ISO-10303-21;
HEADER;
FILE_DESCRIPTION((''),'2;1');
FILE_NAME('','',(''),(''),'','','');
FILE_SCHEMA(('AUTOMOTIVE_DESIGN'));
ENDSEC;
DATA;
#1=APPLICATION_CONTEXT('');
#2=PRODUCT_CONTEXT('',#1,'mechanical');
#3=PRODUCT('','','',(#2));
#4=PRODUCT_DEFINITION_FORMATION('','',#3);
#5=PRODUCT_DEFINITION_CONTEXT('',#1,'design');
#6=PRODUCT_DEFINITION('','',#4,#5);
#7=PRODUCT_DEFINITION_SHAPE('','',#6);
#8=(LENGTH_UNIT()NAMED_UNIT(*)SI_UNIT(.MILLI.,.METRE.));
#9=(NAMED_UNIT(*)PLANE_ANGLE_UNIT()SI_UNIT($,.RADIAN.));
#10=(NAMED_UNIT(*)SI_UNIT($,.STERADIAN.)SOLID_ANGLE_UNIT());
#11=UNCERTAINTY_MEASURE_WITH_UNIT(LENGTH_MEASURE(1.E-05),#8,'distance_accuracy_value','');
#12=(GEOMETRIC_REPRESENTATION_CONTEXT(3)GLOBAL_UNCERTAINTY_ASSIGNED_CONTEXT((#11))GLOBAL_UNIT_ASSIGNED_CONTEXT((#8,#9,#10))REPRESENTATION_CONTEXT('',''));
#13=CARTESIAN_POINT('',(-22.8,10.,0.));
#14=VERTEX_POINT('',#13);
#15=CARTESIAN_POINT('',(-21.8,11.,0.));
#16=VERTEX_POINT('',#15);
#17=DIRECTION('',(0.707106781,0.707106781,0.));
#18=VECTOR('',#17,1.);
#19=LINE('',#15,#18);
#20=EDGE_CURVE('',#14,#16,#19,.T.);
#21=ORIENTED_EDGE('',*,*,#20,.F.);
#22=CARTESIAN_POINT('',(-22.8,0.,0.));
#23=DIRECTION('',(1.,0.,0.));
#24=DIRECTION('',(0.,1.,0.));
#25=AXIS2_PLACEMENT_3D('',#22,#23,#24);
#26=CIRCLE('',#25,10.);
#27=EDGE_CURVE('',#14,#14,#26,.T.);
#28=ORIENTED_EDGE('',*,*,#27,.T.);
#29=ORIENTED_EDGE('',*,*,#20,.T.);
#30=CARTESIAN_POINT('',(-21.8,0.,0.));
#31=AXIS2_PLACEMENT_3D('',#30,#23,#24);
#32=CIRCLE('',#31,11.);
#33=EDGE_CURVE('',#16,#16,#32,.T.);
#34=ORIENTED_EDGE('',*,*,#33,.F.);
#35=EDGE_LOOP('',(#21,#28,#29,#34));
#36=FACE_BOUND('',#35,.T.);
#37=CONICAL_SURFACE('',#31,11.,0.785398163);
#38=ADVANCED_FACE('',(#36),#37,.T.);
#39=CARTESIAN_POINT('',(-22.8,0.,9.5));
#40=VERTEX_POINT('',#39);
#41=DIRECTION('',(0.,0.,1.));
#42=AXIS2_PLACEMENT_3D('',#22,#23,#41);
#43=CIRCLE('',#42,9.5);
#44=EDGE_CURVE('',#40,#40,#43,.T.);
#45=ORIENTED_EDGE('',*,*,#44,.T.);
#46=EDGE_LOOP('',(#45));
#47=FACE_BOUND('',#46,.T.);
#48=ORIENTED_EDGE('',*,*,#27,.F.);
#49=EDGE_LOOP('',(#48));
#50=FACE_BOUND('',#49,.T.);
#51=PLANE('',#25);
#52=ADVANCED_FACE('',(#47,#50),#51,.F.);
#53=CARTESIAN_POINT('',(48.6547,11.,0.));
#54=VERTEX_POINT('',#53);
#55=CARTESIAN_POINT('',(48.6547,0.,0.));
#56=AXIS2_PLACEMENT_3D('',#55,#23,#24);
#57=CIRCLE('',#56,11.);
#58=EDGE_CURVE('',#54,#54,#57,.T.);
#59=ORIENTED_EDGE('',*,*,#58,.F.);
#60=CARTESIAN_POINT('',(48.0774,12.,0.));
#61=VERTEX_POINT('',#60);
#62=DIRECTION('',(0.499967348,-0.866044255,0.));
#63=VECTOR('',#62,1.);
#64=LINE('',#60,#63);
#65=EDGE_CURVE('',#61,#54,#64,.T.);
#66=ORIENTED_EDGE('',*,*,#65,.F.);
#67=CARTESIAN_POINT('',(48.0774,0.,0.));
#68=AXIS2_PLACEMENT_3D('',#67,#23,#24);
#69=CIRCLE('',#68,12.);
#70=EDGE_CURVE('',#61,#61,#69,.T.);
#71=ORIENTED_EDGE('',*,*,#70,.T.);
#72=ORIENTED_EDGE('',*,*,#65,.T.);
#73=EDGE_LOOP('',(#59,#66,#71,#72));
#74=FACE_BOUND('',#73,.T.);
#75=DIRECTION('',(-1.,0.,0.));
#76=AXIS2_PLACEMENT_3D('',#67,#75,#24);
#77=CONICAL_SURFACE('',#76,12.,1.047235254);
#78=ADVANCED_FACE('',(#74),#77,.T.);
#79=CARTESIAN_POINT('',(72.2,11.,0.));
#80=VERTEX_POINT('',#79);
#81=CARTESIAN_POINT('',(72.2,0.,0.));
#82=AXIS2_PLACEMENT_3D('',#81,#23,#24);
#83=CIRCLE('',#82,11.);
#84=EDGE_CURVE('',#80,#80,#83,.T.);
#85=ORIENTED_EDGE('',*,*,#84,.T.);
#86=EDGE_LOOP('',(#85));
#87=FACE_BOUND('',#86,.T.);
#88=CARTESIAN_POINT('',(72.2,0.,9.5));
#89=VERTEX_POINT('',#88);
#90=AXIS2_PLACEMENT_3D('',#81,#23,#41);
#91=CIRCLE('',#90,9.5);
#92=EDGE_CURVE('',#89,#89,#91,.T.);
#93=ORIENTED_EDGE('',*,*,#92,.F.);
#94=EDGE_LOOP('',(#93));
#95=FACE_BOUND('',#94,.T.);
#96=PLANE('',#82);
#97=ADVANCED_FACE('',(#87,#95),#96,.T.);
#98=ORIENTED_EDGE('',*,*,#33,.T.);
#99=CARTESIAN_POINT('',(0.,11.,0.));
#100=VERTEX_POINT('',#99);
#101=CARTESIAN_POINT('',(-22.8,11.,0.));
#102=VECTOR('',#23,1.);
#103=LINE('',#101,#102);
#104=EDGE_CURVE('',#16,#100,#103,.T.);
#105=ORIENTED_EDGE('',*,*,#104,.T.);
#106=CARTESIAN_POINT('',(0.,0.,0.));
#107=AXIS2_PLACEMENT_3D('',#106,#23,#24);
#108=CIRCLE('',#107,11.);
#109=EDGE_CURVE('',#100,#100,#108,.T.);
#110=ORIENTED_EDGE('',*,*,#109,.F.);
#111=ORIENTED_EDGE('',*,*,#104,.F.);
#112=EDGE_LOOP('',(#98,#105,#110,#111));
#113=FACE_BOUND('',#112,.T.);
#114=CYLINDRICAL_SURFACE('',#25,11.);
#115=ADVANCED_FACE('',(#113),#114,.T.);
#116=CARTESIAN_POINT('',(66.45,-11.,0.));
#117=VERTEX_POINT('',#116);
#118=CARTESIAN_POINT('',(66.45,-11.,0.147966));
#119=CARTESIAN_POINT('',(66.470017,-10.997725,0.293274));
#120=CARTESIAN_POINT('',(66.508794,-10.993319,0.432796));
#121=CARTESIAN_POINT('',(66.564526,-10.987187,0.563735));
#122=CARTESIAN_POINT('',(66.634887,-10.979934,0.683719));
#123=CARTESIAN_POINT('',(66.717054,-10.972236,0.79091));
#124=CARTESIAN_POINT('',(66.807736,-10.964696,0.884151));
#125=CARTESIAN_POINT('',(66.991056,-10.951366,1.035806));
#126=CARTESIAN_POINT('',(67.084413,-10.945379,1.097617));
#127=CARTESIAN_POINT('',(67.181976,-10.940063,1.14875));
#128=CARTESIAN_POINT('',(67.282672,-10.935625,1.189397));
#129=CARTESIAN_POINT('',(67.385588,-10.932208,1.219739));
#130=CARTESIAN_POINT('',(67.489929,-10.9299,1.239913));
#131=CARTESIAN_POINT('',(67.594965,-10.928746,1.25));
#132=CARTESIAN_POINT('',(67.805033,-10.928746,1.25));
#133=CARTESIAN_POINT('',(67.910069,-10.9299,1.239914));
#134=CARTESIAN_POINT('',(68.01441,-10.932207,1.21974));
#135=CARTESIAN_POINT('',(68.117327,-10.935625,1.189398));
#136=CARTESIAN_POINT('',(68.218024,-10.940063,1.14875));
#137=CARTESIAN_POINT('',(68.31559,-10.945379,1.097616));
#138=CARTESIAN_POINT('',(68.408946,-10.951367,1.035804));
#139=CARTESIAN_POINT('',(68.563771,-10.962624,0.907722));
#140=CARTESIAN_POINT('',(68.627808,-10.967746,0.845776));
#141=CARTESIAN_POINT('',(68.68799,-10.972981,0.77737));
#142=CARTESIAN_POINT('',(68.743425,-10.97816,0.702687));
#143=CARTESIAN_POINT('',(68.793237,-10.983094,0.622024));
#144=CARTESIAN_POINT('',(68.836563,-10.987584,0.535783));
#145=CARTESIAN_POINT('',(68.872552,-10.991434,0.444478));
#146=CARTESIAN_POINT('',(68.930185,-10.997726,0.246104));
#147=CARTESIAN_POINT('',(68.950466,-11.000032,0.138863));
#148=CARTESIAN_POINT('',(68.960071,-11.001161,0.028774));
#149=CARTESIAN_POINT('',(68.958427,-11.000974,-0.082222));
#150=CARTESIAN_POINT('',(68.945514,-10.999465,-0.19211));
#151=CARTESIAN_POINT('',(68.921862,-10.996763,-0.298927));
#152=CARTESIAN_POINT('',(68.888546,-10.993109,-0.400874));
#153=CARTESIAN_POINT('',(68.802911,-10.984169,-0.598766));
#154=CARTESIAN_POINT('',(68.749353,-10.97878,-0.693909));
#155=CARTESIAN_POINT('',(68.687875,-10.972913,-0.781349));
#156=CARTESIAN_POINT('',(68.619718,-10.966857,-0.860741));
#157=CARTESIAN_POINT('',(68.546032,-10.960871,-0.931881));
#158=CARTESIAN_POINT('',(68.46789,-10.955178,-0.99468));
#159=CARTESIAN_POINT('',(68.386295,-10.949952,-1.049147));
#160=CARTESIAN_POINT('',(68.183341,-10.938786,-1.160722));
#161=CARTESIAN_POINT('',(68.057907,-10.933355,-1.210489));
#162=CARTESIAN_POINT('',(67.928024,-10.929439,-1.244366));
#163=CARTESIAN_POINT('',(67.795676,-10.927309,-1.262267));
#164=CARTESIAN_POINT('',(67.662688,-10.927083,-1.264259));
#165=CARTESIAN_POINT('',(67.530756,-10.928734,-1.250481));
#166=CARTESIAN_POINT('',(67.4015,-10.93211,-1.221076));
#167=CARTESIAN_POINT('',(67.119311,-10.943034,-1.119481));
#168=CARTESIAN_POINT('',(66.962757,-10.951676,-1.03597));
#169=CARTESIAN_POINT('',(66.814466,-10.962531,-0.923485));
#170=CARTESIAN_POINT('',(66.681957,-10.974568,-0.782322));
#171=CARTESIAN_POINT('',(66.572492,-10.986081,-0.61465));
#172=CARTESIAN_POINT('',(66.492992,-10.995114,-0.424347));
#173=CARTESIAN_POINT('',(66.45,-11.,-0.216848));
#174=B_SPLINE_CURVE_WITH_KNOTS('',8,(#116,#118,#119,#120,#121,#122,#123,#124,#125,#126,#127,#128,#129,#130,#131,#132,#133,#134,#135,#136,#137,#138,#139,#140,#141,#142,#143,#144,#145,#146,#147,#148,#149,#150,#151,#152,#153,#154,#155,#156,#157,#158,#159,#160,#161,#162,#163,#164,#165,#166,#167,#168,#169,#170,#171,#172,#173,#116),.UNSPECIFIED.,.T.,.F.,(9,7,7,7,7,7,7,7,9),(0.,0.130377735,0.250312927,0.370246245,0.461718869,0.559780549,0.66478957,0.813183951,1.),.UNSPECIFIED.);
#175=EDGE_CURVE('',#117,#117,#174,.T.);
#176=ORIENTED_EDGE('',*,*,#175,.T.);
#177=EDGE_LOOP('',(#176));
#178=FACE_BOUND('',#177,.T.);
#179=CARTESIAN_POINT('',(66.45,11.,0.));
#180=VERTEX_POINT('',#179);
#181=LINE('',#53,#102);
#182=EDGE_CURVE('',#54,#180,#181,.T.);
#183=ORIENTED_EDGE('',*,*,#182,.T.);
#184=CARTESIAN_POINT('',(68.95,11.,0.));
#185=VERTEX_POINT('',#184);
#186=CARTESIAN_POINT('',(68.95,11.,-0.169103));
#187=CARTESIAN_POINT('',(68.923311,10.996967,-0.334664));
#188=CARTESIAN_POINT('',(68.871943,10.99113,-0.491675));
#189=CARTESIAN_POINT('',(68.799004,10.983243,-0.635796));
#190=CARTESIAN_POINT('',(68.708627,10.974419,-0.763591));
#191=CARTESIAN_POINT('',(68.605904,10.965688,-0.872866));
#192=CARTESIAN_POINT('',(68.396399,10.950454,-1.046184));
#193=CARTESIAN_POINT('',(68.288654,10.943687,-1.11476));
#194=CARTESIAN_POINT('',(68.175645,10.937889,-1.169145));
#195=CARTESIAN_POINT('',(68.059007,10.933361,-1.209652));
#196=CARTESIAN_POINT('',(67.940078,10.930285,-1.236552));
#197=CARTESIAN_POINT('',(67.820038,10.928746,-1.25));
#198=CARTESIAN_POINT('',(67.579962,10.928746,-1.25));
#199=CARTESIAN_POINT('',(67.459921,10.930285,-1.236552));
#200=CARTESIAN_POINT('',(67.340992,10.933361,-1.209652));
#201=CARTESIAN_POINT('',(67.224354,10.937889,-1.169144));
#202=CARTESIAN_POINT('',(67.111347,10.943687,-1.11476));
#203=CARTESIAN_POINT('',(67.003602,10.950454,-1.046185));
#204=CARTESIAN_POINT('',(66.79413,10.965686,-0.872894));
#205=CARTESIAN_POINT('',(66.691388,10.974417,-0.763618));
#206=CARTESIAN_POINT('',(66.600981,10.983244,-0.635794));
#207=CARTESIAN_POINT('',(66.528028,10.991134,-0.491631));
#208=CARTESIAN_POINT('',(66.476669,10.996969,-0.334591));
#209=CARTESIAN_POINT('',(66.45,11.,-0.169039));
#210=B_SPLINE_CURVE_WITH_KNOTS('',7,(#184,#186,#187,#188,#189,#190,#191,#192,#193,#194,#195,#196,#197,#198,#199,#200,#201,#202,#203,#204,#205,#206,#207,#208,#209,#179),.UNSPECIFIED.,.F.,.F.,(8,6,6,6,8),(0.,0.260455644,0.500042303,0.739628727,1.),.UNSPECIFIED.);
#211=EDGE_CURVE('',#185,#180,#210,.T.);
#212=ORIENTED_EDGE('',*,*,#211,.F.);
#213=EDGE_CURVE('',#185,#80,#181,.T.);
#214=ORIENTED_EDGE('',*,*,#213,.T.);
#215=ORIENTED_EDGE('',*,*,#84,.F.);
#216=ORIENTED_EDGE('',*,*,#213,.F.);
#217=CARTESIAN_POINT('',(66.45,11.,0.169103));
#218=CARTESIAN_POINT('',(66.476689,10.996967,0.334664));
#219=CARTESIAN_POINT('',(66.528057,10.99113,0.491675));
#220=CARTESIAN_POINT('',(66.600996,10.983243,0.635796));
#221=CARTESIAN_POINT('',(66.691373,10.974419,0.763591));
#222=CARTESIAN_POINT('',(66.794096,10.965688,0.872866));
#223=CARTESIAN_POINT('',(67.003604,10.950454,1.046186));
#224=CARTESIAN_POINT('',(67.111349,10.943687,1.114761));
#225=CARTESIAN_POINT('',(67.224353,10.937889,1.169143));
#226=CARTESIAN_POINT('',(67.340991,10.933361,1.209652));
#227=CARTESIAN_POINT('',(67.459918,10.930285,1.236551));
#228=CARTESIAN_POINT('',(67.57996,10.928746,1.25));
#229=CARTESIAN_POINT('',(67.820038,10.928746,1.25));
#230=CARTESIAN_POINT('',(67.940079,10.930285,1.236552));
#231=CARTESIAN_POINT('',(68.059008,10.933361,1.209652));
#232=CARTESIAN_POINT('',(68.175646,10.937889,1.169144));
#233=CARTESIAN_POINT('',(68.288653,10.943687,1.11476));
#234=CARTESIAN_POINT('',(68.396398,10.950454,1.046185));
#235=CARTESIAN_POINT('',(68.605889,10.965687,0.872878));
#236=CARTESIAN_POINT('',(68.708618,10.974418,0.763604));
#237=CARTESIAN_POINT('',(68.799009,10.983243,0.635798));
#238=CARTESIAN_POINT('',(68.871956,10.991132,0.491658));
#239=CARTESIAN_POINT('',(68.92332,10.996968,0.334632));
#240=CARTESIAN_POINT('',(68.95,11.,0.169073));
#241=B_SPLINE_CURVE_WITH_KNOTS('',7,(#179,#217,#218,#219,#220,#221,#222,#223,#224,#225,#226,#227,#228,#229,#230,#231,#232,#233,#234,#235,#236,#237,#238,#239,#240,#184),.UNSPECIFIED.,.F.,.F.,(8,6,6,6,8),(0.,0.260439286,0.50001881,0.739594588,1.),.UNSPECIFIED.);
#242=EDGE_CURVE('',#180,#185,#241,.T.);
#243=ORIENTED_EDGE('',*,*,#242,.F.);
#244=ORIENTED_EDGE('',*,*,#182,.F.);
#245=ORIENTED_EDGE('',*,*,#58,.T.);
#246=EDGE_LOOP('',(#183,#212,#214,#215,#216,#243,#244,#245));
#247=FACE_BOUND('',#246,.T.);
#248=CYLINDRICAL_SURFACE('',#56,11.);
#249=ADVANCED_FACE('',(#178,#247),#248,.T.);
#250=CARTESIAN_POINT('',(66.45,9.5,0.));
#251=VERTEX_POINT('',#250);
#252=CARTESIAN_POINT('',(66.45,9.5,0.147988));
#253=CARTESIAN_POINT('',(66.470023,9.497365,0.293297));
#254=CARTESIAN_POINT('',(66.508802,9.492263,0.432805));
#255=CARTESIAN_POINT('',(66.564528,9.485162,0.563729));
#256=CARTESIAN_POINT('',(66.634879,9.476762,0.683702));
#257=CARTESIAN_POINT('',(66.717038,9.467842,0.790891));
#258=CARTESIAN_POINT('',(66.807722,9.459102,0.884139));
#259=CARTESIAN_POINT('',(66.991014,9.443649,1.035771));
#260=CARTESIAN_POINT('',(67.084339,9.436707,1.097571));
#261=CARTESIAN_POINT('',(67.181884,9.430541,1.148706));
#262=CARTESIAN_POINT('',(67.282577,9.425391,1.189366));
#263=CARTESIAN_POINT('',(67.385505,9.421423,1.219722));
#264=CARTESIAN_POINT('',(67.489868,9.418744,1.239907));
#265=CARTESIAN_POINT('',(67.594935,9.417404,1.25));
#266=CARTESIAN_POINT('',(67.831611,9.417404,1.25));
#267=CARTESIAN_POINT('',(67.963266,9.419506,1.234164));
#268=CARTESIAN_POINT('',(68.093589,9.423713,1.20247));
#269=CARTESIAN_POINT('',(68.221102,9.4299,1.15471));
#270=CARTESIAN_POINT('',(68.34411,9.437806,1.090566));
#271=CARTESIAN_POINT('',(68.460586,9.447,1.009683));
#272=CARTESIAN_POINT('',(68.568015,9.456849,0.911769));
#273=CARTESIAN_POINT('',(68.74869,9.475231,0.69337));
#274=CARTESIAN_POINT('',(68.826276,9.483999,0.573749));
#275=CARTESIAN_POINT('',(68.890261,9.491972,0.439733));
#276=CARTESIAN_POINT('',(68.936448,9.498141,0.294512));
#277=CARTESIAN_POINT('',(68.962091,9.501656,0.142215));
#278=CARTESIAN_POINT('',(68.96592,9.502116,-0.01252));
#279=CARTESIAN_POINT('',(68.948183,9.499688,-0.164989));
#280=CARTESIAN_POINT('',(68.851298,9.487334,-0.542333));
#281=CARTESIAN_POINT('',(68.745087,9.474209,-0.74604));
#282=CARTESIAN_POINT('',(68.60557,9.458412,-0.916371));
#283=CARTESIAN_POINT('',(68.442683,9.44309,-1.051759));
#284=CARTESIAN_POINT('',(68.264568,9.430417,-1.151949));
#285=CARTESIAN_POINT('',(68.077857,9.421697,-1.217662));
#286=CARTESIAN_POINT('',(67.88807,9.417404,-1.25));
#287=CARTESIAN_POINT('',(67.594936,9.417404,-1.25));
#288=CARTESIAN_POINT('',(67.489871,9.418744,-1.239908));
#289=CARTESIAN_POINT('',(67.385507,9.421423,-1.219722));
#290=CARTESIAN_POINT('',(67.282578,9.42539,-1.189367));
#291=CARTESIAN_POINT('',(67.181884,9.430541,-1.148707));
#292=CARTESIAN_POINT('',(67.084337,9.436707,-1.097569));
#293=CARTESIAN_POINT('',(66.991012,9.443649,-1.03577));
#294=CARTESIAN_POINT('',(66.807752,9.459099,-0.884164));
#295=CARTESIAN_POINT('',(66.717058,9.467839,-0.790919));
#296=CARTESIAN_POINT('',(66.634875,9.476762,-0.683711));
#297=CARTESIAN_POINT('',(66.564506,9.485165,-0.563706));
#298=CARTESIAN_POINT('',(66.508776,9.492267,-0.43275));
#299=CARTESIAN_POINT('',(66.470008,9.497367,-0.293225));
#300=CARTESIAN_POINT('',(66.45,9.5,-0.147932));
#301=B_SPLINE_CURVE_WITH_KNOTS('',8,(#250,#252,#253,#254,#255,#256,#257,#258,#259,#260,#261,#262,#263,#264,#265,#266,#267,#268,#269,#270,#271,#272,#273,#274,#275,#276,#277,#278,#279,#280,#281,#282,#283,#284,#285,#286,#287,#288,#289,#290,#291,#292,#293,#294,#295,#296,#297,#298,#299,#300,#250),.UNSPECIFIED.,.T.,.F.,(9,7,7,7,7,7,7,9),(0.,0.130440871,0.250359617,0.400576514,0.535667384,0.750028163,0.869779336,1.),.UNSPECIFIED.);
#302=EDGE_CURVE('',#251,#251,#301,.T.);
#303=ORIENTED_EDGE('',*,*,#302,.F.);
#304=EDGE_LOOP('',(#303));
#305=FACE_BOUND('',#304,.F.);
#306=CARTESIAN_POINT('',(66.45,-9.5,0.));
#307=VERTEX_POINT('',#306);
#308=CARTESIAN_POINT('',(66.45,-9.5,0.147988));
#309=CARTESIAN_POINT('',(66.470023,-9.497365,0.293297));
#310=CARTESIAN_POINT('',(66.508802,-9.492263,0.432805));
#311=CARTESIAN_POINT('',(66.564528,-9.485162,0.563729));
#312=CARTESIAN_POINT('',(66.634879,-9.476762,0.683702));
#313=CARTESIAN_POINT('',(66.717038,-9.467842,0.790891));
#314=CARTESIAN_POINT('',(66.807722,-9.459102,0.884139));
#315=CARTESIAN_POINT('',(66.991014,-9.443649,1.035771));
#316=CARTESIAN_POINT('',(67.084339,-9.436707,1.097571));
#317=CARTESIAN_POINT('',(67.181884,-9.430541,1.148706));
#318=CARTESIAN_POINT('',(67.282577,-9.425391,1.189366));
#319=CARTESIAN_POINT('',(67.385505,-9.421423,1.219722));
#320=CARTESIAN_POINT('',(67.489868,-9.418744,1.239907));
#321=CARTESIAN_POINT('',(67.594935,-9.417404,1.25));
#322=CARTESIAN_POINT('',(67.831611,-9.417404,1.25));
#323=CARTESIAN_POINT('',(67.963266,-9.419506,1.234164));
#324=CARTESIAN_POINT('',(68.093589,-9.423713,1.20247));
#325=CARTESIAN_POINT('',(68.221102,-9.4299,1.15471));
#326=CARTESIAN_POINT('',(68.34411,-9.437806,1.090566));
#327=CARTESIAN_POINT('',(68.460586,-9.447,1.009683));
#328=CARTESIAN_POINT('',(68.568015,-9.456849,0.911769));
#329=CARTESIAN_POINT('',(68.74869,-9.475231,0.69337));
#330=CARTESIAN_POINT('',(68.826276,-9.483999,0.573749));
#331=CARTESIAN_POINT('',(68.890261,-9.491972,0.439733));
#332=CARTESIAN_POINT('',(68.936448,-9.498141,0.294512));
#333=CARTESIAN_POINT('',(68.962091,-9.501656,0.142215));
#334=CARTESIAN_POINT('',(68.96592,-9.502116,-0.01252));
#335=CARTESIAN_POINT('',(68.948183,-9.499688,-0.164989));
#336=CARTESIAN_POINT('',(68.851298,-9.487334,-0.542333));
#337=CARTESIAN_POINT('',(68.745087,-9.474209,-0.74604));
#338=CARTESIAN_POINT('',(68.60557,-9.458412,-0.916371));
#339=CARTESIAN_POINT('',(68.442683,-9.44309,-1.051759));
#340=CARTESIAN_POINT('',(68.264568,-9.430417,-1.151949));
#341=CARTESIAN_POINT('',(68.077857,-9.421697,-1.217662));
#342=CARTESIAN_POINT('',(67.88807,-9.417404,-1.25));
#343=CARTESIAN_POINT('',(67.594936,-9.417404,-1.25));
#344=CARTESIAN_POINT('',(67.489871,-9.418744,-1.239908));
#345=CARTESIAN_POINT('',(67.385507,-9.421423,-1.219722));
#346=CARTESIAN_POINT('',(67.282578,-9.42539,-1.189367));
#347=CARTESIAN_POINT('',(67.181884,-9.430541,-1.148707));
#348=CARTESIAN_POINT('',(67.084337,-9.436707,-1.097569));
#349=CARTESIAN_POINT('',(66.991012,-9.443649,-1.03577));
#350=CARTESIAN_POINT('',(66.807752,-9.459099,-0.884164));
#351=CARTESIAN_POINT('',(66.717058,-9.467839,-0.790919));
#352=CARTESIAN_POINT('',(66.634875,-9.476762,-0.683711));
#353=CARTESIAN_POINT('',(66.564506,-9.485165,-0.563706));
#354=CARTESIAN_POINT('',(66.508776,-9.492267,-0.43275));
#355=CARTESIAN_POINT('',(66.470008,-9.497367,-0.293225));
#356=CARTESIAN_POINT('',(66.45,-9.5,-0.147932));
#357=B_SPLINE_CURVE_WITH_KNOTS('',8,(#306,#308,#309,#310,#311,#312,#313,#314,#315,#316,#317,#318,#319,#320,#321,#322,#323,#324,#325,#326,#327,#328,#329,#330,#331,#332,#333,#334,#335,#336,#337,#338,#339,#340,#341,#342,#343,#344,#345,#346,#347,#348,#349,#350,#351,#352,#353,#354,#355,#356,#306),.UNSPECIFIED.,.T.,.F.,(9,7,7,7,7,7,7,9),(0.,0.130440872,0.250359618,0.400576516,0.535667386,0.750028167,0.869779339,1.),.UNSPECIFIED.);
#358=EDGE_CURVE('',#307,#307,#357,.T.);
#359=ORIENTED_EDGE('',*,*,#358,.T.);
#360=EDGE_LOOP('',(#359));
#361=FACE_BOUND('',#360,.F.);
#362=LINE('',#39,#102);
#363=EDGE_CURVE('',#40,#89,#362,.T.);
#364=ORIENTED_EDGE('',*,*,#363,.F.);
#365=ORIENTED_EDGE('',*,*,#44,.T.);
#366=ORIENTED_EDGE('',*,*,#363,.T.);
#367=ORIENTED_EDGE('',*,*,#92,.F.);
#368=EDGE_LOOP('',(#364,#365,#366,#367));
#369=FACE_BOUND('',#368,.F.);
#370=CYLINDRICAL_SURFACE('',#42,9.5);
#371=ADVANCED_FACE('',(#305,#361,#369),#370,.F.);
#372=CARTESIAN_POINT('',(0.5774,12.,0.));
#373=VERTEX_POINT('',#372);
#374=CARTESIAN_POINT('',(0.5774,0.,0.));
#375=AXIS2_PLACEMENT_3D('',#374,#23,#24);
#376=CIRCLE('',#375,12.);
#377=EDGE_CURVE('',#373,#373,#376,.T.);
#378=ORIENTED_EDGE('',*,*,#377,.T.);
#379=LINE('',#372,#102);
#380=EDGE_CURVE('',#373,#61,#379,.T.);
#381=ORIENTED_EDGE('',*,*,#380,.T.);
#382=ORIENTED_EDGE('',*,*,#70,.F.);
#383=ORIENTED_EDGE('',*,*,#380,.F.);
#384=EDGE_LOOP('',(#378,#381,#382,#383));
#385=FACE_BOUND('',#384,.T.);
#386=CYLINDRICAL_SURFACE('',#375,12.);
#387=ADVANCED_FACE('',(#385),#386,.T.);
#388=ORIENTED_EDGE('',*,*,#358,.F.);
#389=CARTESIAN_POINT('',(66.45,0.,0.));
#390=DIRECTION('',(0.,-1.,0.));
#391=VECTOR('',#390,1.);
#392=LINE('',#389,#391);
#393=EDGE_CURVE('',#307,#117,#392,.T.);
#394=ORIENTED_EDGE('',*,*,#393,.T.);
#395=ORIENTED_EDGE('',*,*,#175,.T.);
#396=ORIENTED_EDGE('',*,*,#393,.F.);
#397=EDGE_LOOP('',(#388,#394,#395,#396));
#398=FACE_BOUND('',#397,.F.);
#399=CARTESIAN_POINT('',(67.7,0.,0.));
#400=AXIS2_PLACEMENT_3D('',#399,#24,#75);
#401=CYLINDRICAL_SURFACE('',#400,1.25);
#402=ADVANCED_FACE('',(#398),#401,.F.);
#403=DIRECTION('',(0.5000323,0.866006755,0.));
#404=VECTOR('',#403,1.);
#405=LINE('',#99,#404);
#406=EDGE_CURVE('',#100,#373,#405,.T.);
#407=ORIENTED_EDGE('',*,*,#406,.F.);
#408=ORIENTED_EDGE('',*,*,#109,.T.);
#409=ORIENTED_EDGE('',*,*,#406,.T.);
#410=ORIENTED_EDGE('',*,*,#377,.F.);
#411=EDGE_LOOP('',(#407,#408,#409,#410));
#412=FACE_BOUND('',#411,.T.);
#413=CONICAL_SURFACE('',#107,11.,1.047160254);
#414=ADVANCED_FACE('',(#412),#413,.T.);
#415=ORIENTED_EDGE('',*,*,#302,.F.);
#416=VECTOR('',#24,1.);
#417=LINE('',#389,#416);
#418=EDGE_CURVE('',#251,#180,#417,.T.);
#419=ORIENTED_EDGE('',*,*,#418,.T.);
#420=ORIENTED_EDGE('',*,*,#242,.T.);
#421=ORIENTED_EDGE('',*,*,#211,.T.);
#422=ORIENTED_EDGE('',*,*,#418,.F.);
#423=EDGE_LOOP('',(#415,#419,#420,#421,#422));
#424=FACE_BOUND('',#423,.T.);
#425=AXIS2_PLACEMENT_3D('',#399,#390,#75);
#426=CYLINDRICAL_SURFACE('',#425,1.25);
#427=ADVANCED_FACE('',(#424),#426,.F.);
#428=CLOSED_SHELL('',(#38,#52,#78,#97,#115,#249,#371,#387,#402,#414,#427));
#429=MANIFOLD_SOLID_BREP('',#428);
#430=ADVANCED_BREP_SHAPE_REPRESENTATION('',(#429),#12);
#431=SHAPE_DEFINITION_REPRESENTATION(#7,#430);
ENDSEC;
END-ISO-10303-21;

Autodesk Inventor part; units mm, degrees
ref_plane "YZ Plane" through (0, 0, 0) normal (1, 0, 0) x (0, 1, 0)
ref_plane "XZ Plane" through (0, 0, 0) normal (0, 1, 0) x (-1, 0, 0)
ref_plane "XY Plane" through (0, 0, 0) normal (0, 0, 1) x (1, 0, 0)
sketch "Profile" plane through (0, 0, 0) normal (0, 0, 1) x (1, 0, 0)
  line L0 (-22.8, 0) -> (-22.8, 11)
  line L1 (-22.8, 11) -> (0, 11)
  line L2 (0, 11) -> (0.5774, 12)
  line L3 (0.5774, 12) -> (48.0774, 12)
  line L4 (48.0774, 12) -> (48.6547, 11)
  line L5 (48.6547, 11) -> (72.2, 11)
  line L6 (72.2, 11) -> (72.2, 0)
  line L7 (-22.8, 0) -> (0, 0)
  line L8 (0, 0) -> (0, 9)
  line L9 (0, 9) -> (64.2, 9)
  line L10 (64.2, 9) -> (64.2, 0)
  line L11 (64.2, 0) -> (72.2, 0)
  line L12 (-41.8, 0) -> (91.2, 0) construction
  line L13 (0, 11) -> (0, 9) construction
  dimension "BodyLength" = 95
  dimension "d1" = 11
  dimension "d3" = 120
  dimension "d4" = 120
  dimension "d5" = 47.5
  dimension "d6" = 22.8
  dimension "d16" = 8
  dimension "d29" = 1
  dimension "d30" = 9
revolve "ProfileRevolveFeature" add sketch "Profile" angle 360 about axis through (-10, 0, 0) along (1, 0, 0)
sketch "InsideHole" plane through (-22.8, 0, 0) normal (-1, 0, 0) x (0, 0, 1)
  circle A0 centre (0, 0) radius 9 construction
hole "InsideHoleFeature" at (-22.8, 0, 0) direction (1, 0, 0) diameter 19 end through all
chamfer "EndChamferFeature" distance 1 angle 45 1 edges at (-22.8, -11, 0)
sketch "CapMountHole" plane through (0, 0, 0) normal (0, 1, 0) x (-1, 0, 0)
  line L0 (-72.2, 11) -> (-72.2, -11) construction
  line L1 (15.2, 0) -> (-91.2, 0) construction
  circle A0 centre (-67.7, 0) radius 1.25
  point P0 (0, 0)
  dimension "d31" = 4.5
  dimension "d39" = 2.5
extrude "CapMountHoleFeature" cut sketch "CapMountHole" along normal through all both and the other way through all
equation "\"d5\" = 0.5 * BodyLength"
equation "\"d6\" = 0.24 * BodyLength"
properties part number "BackPair1PistonBody"
